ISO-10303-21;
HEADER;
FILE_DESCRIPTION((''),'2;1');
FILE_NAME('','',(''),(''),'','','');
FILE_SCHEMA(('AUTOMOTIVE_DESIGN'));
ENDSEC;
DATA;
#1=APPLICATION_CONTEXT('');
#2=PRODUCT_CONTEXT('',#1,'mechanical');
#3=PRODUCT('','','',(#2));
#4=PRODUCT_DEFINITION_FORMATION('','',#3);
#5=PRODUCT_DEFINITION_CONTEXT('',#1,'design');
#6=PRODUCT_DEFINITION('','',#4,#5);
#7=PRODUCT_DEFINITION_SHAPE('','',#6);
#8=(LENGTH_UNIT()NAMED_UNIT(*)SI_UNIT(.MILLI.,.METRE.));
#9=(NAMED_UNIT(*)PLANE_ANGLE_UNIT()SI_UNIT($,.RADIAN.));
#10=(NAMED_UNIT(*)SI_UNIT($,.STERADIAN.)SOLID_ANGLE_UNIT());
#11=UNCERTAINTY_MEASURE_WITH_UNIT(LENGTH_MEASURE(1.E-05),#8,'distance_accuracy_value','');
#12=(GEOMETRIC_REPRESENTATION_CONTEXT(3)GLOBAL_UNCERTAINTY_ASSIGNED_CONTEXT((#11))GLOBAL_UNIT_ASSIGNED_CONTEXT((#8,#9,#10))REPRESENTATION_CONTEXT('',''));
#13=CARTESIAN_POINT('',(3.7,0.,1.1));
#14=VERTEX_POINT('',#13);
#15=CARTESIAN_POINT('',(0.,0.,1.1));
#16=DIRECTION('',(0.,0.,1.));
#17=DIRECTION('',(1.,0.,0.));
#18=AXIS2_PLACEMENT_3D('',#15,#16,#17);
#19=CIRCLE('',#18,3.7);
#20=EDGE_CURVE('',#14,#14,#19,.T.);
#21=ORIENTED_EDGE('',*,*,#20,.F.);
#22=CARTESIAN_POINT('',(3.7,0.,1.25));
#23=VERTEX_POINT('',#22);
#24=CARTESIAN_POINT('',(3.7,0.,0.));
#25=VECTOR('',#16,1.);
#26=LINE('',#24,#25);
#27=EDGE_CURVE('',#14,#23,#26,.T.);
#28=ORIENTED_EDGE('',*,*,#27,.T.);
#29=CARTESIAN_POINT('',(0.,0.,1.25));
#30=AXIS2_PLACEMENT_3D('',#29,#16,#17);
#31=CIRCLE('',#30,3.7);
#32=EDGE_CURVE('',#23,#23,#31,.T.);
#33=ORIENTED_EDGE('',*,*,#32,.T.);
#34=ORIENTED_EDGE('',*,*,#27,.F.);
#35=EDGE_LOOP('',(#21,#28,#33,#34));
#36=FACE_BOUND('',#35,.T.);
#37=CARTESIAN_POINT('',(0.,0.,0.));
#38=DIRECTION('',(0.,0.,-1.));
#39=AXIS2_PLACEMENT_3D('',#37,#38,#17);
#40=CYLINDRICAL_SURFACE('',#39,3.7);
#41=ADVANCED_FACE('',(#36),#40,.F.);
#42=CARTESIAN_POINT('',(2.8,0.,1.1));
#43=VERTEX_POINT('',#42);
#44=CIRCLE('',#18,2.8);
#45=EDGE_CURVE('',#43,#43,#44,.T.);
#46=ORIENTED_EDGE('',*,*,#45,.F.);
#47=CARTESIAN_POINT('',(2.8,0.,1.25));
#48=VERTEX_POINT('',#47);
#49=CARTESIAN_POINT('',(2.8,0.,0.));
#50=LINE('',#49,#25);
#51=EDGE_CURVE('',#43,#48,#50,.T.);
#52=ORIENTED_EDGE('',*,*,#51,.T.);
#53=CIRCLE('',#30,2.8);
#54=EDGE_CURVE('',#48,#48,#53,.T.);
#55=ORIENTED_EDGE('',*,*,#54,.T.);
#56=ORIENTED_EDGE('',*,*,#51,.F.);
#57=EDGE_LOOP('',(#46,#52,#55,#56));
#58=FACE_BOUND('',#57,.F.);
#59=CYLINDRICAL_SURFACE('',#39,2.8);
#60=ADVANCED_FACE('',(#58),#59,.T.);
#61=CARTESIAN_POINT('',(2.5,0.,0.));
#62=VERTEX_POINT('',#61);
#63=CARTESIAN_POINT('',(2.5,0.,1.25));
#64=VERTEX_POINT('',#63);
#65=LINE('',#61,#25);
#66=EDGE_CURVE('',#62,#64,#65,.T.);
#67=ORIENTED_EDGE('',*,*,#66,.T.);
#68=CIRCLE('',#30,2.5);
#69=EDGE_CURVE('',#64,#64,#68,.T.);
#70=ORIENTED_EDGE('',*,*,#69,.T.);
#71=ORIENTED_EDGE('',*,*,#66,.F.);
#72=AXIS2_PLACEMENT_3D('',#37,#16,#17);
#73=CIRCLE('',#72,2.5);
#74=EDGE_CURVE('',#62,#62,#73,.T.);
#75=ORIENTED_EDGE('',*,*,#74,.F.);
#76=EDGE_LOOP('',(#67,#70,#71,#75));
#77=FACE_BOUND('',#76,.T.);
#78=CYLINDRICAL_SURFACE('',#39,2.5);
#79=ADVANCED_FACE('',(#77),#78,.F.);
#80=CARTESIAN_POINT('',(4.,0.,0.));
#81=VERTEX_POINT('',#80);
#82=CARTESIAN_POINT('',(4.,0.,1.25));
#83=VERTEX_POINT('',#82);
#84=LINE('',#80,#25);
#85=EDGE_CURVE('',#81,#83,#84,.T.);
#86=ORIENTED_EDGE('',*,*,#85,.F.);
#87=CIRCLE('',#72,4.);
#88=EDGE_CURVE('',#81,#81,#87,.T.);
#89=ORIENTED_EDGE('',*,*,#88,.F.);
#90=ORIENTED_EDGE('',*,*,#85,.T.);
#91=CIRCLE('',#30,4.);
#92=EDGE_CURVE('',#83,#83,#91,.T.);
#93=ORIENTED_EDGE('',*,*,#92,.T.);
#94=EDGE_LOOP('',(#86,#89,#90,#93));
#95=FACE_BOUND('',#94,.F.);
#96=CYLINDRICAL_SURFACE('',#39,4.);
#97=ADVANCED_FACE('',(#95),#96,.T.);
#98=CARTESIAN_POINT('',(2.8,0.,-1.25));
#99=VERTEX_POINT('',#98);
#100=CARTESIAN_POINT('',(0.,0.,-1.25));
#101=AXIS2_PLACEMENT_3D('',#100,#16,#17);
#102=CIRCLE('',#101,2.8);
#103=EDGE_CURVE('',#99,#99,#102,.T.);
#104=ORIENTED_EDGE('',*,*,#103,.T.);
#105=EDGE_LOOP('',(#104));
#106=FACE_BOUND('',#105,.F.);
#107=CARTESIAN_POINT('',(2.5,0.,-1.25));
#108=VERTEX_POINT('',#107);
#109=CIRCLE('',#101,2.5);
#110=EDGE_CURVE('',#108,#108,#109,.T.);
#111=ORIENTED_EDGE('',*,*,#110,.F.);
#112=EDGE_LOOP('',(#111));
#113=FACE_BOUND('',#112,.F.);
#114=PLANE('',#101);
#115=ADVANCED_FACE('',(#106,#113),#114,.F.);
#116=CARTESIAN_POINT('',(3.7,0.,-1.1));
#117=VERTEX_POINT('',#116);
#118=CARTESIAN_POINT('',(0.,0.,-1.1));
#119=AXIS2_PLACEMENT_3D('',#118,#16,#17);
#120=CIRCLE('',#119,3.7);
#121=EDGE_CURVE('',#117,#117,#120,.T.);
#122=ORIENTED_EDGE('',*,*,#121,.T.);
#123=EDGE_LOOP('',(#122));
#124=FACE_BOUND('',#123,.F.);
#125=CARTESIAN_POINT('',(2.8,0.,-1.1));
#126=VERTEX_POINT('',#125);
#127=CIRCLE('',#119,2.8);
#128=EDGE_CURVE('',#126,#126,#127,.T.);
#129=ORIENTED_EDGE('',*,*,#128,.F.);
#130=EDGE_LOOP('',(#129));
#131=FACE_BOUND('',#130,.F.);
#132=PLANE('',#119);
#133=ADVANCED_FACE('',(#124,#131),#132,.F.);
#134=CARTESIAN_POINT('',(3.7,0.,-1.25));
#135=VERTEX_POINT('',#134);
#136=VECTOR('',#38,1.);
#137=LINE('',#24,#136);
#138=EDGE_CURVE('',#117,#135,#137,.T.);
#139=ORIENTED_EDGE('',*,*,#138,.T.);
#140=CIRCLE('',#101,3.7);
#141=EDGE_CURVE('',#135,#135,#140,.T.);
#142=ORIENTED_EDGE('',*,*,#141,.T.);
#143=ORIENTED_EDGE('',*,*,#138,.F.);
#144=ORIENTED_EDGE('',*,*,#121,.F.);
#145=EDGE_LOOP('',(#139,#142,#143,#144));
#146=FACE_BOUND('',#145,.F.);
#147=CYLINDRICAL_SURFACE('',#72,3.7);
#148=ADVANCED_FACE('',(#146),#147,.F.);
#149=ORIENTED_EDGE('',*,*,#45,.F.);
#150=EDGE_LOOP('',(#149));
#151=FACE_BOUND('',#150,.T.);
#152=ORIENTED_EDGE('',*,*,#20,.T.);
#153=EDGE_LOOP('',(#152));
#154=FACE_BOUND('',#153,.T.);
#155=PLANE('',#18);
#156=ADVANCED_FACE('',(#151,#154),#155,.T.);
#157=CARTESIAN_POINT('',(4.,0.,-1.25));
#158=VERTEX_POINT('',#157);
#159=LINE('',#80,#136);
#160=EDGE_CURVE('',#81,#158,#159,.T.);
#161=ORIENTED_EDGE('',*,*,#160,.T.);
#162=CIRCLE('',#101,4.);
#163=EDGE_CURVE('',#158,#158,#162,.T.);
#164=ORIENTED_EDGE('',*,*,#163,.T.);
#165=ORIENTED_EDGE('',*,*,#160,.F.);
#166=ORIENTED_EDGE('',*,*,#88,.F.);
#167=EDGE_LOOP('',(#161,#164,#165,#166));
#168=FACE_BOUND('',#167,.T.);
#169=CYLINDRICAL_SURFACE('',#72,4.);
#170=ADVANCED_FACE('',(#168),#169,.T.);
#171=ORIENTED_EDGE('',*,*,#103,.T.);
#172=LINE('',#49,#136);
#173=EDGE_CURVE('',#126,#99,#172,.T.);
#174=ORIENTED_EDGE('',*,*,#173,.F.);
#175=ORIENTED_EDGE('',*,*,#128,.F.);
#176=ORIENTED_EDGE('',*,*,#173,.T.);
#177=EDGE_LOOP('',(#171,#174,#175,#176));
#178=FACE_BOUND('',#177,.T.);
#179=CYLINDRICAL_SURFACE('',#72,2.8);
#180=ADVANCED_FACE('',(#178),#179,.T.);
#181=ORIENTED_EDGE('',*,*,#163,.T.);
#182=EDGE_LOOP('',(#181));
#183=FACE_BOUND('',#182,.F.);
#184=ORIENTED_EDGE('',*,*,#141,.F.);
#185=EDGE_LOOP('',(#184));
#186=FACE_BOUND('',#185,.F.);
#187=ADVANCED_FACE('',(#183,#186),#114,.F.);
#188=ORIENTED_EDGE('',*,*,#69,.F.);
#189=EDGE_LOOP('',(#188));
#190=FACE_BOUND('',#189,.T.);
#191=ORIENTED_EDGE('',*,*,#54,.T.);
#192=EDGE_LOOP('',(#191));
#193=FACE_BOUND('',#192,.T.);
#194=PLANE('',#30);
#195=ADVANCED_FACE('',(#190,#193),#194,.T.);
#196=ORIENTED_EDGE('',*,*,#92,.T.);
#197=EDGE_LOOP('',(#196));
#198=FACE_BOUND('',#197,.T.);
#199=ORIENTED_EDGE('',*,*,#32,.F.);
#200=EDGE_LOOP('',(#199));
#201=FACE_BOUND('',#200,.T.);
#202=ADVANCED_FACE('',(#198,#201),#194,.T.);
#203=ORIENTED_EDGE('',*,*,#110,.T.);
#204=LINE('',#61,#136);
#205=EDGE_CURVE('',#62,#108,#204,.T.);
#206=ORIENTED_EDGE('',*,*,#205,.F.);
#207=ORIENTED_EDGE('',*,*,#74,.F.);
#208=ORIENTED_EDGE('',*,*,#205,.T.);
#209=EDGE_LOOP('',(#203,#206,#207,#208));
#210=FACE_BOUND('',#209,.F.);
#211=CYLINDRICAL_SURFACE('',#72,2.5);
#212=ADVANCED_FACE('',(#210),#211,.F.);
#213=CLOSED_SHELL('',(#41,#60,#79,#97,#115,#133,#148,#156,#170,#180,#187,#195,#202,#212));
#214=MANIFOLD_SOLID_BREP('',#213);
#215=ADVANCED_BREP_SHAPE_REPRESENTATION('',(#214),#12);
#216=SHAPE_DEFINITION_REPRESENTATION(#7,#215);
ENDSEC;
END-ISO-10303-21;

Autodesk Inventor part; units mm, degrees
ref_plane "YZ Plane" through (0, 0, 0) normal (1, 0, 0) x (0, 1, 0)
ref_plane "XZ Plane" through (0, 0, 0) normal (0, 1, 0) x (-1, 0, 0)
ref_plane "XY Plane" through (0, 0, 0) normal (0, 0, 1) x (1, 0, 0)
sketch "Эскиз1" plane through (0, 0, 0) normal (0, 0, 1) x (1, 0, 0)
  circle A0 centre (0, 0) radius 4
  circle A1 centre (0, 0) radius 2.5
  circle A2 centre (0, 0) radius 3.7
  circle A3 centre (0, 0) radius 2.8
  dimension "d0" = 8
  dimension "d1" = 5
  dimension "d2" = 0.3
  dimension "d3" = 0.3
extrude "Выдавливание1" add sketch "Эскиз1" along normal mid plane 2.5
extrude "Выдавливание2" add sketch "Эскиз1" along normal mid plane 2.2 contours A2
properties part number "MR85 ZZ"
